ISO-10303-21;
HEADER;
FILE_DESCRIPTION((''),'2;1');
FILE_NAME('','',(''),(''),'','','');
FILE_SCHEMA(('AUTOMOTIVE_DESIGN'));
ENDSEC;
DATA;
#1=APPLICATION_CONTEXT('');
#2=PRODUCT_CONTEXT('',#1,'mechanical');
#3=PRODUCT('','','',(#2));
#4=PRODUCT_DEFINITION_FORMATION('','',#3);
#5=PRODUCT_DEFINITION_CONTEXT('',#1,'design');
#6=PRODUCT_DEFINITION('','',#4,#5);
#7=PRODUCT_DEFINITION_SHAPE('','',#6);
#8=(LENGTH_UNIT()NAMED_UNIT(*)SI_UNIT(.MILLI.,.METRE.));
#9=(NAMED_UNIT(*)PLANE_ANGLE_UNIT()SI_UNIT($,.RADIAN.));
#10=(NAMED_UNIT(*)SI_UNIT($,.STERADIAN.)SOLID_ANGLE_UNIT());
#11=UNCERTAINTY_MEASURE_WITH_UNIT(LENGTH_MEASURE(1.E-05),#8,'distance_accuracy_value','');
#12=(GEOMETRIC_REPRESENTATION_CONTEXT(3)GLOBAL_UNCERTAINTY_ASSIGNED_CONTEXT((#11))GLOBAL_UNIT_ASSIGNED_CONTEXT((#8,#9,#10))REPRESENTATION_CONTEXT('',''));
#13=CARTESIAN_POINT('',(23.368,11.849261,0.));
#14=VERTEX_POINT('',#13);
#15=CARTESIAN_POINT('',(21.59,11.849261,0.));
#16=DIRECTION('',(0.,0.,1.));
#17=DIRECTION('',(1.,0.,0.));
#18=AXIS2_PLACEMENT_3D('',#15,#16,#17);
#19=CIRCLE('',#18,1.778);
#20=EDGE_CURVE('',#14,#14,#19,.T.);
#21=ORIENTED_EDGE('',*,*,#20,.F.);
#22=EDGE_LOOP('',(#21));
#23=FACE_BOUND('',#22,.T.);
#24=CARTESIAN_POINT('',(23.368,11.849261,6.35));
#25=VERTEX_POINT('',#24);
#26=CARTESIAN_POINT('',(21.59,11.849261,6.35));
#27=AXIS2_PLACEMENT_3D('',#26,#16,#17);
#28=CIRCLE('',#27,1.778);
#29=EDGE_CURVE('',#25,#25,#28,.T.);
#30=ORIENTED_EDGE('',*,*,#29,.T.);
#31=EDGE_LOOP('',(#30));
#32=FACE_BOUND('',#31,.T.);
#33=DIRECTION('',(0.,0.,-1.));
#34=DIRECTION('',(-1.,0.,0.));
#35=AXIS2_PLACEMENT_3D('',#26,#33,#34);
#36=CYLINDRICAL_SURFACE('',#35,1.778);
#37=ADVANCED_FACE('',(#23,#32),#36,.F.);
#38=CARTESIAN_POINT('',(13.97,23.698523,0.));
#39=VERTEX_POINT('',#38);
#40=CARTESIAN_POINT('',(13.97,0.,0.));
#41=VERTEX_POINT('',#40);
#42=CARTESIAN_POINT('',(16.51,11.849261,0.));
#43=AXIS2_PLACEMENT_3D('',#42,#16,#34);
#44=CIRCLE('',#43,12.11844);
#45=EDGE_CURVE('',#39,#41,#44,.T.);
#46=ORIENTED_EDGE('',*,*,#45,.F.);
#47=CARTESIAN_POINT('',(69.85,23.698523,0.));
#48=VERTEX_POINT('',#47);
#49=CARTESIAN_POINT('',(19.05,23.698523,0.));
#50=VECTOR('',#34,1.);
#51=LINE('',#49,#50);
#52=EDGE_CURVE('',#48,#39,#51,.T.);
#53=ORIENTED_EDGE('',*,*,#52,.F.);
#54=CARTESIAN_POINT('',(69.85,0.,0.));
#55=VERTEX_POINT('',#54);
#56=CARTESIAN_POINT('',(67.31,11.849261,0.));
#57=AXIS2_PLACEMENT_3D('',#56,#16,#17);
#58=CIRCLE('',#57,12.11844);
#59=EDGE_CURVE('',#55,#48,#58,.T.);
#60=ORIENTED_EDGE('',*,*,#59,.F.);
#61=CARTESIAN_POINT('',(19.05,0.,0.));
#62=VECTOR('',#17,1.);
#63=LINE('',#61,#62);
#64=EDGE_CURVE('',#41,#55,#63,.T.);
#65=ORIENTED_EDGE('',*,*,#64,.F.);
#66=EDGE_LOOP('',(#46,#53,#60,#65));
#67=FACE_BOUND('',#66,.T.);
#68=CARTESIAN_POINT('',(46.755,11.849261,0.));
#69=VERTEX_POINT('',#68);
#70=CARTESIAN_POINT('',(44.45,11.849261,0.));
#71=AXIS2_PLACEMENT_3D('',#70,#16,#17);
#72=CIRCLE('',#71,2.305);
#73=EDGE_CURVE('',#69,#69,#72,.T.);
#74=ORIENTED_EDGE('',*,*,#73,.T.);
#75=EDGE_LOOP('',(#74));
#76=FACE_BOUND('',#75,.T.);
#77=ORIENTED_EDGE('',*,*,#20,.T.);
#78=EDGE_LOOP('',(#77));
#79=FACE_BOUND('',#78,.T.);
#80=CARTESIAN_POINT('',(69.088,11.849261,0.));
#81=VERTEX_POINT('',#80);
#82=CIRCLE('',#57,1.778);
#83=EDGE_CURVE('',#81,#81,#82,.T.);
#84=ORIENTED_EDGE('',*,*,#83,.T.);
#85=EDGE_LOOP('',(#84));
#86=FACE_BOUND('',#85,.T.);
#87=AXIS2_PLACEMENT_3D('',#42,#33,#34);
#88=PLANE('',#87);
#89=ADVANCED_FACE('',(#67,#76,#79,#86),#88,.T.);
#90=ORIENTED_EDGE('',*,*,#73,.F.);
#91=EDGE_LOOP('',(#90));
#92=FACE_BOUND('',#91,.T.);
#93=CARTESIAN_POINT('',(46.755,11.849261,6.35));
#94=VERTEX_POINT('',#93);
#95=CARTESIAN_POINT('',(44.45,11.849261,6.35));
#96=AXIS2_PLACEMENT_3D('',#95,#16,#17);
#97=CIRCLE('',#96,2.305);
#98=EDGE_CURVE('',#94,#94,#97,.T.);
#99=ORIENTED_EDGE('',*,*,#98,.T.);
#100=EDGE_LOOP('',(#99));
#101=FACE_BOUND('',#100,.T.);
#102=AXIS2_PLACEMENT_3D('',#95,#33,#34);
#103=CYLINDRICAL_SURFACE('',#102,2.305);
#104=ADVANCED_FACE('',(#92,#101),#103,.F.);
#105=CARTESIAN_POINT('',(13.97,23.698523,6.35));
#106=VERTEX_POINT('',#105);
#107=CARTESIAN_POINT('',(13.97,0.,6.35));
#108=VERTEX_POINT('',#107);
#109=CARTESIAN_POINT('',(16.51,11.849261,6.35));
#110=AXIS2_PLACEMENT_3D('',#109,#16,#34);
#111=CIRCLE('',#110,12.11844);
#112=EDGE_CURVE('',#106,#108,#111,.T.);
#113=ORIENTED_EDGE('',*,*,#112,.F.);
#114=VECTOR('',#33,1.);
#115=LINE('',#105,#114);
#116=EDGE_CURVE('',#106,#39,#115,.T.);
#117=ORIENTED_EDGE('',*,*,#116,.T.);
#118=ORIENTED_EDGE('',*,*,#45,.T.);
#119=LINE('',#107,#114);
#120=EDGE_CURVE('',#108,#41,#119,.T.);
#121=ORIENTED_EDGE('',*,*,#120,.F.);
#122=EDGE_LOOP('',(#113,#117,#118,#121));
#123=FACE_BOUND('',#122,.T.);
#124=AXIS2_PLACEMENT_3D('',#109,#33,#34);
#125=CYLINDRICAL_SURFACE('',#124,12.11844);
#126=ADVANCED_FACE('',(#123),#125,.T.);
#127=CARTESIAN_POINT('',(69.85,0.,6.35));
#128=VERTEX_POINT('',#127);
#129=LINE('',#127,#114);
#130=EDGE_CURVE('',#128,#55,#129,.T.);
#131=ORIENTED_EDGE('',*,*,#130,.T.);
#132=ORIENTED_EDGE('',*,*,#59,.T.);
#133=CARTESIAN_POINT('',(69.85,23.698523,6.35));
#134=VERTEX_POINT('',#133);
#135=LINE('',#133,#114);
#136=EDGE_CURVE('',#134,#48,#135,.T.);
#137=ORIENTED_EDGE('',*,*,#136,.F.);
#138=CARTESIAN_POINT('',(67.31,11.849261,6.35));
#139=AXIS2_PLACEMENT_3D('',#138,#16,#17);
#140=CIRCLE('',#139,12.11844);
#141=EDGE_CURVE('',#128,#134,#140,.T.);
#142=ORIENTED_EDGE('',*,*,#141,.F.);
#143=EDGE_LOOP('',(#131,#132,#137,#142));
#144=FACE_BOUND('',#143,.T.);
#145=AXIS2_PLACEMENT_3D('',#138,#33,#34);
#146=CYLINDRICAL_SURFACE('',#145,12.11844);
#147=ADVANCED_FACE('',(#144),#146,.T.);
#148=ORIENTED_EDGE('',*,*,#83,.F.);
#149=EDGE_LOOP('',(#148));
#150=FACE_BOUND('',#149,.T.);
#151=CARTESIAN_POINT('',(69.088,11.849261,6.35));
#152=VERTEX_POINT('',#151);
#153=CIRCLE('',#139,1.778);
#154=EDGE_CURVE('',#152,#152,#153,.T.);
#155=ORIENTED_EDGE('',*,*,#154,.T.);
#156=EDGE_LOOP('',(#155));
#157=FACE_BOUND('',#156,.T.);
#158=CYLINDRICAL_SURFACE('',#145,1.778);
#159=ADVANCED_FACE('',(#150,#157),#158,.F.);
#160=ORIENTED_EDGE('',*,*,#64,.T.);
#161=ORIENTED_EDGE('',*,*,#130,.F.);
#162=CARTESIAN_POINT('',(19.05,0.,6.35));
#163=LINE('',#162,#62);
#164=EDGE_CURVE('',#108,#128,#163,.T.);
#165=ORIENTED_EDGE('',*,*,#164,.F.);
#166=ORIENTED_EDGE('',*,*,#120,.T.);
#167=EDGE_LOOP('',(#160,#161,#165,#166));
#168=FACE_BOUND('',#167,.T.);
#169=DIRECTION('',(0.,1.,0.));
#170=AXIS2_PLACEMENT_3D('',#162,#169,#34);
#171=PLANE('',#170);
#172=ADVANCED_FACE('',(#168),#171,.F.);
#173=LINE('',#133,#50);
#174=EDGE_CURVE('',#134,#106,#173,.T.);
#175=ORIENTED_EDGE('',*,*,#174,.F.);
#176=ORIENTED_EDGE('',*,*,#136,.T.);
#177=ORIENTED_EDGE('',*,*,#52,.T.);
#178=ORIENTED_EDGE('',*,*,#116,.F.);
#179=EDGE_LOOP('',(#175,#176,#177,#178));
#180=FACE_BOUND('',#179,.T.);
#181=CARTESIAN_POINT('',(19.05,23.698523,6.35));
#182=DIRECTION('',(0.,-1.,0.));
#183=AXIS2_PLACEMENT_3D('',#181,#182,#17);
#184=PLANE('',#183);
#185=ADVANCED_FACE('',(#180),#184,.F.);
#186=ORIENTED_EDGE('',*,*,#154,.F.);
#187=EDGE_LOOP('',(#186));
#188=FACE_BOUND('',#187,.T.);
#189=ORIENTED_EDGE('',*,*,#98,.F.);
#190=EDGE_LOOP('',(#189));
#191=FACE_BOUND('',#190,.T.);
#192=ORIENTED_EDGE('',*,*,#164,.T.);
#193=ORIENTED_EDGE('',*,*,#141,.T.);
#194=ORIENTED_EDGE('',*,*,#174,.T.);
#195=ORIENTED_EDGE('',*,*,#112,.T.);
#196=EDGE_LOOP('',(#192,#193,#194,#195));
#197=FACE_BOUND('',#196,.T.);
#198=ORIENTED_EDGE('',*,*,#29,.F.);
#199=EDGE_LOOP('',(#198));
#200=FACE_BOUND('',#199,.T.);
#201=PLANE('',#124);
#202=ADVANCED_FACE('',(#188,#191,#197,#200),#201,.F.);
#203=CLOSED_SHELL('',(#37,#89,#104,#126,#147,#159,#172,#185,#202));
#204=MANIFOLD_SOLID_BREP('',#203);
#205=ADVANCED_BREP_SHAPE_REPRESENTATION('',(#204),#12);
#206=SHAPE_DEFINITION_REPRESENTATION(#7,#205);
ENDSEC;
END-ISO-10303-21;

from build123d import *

# Parameters (mm, degrees)
SKETCH9_R           = 2.305
SKETCH9_R_2         = 1.778
BOSS_EXTRUDE1_DEPTH = 6.35


with BuildPart() as part:
    # Sketch9 → Boss-Extrude1 (new body)
    with BuildSketch(Plane.XY):
        with BuildLine():
            Line((19.05, 0), (69.85, 0))
            ThreePointArc((69.85, 0), (79.428440233, 11.849261314), (69.85, 23.698522628))
            Line((69.85, 23.698522628), (19.05, 23.698522628))
            Line((19.05, 23.698522628), (13.97, 23.698522628))
            ThreePointArc((13.97, 23.698522628), (4.391559767, 11.849261314), (13.97, 0))
            Line((13.97, 0), (19.05, 0))
        make_face()
        with Locations((44.45, 11.849261314)):
            Circle(SKETCH9_R, mode=Mode.SUBTRACT)
        with Locations((67.31, 11.849261314)):
            Circle(SKETCH9_R_2, mode=Mode.SUBTRACT)
        with Locations((21.59, 11.849261314)):
            Circle(SKETCH9_R_2, mode=Mode.SUBTRACT)
    extrude(amount=BOSS_EXTRUDE1_DEPTH)


solid = part.part
